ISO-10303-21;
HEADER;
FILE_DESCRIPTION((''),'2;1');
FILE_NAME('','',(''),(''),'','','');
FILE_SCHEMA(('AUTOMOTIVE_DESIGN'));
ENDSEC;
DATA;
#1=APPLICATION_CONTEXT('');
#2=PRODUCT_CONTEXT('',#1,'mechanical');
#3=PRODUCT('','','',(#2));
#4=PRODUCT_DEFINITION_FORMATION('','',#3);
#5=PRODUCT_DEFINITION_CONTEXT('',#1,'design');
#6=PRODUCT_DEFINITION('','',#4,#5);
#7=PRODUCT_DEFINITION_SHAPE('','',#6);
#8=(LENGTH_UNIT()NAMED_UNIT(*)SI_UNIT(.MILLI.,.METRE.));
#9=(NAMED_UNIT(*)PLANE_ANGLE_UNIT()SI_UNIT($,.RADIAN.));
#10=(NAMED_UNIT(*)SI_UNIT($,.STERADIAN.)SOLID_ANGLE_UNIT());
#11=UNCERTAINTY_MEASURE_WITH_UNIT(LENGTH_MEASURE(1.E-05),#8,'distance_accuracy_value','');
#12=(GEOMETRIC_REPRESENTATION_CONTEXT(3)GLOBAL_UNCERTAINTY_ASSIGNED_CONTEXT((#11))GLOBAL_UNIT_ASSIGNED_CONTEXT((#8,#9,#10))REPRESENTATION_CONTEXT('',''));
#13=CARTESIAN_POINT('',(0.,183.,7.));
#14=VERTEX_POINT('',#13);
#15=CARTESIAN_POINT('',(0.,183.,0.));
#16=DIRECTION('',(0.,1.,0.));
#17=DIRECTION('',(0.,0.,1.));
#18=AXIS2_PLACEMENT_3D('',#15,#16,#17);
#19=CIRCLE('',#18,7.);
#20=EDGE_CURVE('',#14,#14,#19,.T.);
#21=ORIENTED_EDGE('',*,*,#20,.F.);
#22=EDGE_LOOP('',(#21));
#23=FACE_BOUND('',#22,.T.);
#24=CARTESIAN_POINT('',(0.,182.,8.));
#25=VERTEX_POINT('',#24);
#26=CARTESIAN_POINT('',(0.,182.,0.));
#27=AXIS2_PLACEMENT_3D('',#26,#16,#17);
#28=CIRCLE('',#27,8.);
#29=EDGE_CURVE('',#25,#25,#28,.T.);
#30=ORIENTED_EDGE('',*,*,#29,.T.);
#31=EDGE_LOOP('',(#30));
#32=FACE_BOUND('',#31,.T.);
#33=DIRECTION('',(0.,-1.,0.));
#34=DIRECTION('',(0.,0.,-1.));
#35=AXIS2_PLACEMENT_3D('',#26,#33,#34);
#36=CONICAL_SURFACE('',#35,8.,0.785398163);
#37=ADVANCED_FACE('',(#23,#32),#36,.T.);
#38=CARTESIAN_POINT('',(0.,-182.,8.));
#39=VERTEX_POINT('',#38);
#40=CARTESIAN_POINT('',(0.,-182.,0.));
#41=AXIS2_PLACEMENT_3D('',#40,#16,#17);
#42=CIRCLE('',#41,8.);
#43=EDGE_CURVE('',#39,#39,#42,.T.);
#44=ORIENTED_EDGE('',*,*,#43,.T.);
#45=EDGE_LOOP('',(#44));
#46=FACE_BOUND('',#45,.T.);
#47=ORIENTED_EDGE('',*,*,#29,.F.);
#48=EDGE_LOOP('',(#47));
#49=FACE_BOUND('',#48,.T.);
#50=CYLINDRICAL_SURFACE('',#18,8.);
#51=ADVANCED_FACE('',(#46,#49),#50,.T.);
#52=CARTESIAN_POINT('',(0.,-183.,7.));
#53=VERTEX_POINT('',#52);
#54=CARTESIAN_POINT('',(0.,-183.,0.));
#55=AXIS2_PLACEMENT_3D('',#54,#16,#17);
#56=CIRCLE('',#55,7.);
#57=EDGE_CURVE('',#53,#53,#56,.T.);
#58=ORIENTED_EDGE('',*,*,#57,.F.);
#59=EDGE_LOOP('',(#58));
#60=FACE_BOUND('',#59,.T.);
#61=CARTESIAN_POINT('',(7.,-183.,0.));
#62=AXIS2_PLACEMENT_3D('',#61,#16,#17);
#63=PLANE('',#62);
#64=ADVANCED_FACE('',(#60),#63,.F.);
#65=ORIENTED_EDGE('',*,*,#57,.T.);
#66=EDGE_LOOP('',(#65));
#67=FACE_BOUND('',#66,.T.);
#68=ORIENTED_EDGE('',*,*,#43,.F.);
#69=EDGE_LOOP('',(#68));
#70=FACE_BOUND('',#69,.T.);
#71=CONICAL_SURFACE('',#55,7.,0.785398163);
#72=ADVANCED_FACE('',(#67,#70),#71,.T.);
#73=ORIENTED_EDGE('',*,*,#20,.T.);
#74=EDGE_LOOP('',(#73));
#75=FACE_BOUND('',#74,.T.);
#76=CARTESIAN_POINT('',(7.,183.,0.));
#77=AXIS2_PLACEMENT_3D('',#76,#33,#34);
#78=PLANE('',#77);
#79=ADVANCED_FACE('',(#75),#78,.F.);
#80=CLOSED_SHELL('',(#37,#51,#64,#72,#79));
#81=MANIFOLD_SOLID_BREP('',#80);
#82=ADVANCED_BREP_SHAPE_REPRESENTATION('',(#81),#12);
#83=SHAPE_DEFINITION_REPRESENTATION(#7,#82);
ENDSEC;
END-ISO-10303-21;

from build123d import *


with BuildPart() as part:
    # Sketch1 → Revolve1 (revolve)
    with BuildSketch(Plane.XY):
        Polygon((8, -182), (8, 182), (7, 183), (0, 183), (0, -183), (7, -183), align=None)
    revolve(axis=Axis((0, 183, 0), (0, -1, 0)))


solid = part.part
